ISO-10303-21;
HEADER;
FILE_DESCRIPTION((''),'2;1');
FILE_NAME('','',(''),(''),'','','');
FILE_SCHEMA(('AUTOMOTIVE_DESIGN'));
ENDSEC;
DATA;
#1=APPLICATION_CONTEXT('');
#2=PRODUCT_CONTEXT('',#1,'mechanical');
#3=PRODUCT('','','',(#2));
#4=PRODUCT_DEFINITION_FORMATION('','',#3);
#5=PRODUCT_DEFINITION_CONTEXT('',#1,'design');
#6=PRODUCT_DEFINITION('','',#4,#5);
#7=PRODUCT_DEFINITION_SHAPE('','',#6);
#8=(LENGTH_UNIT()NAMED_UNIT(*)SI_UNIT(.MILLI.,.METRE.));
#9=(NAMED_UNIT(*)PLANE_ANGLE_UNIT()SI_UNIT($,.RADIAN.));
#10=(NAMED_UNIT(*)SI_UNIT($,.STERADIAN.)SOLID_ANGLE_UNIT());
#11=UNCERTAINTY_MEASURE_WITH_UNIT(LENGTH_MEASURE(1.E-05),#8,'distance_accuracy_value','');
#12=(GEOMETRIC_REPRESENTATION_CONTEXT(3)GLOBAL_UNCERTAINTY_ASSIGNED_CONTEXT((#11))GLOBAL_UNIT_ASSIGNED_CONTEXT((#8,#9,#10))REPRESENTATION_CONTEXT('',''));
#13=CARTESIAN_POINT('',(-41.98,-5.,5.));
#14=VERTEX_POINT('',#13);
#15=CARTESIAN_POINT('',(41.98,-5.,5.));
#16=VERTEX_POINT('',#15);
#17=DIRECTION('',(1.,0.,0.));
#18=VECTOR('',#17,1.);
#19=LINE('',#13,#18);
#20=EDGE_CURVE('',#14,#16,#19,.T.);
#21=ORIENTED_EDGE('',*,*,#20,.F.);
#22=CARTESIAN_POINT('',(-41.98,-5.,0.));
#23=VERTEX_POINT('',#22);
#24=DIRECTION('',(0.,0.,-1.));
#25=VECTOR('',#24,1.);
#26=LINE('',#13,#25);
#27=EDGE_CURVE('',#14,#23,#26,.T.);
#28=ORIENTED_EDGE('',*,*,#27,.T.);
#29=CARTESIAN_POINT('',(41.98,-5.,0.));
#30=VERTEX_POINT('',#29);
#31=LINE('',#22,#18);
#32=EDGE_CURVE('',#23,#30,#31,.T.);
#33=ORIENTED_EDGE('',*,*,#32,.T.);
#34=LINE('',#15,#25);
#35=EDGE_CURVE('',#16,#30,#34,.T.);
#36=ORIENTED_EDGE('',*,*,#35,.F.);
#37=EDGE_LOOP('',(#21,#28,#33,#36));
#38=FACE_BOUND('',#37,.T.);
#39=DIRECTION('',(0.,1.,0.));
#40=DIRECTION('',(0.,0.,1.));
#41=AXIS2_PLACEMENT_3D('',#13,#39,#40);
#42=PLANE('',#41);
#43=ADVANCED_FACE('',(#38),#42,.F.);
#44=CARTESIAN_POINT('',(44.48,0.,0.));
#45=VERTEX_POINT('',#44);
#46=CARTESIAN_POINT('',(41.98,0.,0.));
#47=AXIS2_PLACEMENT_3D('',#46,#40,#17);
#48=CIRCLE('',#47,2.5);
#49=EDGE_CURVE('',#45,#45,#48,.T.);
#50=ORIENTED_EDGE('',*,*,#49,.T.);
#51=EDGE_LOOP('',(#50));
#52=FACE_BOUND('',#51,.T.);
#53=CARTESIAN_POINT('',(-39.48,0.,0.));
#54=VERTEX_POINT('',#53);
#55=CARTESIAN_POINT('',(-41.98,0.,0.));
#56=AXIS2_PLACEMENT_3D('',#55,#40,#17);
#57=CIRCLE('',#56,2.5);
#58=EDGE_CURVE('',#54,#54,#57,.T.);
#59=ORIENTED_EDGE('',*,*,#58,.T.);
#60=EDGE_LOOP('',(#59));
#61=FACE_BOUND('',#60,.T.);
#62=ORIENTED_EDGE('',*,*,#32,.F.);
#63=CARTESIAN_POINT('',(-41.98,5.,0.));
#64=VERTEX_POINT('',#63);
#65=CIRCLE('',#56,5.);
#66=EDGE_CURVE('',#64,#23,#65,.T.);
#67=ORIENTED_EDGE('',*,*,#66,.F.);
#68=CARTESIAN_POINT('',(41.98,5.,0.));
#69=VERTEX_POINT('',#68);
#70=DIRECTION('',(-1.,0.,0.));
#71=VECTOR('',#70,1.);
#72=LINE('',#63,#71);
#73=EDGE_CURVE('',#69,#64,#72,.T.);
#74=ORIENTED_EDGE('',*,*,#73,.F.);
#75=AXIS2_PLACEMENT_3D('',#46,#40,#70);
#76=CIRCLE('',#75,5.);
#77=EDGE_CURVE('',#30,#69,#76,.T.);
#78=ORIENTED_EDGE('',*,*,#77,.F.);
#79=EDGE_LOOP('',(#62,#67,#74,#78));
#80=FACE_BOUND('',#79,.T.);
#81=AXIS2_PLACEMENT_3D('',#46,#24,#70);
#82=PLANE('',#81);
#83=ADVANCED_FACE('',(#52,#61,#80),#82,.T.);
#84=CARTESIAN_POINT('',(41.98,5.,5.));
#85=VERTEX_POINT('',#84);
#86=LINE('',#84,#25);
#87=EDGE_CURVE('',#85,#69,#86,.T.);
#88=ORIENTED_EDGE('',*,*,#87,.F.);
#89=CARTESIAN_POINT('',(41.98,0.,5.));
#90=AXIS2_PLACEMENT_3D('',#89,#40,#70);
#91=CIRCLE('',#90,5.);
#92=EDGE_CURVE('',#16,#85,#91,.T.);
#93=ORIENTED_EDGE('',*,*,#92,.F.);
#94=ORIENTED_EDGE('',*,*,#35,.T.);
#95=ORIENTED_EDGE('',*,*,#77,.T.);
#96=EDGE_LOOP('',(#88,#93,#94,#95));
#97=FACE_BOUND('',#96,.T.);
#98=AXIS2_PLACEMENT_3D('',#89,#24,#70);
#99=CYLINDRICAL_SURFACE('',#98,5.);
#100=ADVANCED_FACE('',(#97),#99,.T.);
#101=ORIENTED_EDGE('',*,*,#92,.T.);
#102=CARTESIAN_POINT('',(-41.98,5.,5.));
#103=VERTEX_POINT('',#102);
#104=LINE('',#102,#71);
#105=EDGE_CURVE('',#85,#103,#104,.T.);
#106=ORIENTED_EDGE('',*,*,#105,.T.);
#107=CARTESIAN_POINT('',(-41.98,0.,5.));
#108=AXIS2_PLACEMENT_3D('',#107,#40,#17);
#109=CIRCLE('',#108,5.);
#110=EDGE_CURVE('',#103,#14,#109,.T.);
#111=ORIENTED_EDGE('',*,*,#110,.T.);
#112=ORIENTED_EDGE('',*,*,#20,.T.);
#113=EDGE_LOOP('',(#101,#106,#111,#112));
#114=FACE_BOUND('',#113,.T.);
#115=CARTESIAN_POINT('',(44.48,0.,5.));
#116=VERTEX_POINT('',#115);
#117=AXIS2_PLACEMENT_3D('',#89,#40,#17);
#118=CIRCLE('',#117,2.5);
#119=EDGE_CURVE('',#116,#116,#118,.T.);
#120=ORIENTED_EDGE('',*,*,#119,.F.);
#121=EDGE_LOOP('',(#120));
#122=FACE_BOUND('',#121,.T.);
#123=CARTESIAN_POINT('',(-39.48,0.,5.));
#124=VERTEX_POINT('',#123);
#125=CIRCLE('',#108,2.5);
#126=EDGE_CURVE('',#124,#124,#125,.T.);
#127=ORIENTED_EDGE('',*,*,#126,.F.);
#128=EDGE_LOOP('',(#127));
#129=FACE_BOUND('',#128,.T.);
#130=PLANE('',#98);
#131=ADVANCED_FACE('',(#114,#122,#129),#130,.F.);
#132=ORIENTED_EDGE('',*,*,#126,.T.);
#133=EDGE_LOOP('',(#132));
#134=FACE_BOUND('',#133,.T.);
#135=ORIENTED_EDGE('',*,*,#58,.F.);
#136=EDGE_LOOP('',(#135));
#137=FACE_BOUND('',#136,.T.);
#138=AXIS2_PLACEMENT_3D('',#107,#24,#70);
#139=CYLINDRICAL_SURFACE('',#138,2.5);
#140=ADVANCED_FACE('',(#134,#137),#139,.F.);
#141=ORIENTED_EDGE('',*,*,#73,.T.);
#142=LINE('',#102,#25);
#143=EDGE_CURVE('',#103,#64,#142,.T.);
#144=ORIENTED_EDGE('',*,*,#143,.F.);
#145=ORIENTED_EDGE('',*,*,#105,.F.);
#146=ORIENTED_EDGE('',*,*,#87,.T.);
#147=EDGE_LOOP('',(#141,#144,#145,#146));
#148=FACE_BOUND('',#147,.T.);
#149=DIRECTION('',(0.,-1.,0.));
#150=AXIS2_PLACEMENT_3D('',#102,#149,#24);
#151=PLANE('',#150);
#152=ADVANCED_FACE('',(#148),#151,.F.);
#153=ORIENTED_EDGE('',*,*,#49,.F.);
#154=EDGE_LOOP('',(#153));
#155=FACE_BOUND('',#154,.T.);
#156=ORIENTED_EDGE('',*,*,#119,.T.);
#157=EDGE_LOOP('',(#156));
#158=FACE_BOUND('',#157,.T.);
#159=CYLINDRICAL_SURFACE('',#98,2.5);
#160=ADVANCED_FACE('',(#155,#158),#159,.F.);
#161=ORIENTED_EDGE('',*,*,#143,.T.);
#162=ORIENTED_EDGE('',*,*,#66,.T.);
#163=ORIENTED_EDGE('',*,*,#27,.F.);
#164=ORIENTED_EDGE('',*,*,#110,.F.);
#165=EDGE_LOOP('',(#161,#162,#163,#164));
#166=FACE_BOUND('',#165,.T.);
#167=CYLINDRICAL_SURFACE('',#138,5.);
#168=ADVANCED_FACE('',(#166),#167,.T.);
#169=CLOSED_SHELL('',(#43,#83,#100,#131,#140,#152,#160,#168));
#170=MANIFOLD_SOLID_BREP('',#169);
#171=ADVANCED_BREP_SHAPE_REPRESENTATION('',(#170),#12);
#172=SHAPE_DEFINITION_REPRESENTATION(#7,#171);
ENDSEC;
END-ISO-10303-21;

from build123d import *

# Parameters (mm, degrees)
ESBO_O1_R                = 2.5
RESSALTO_EXTRUS_O1_DEPTH = 5


with BuildPart() as part:
    # Esboço1 → Ressalto-extrusão1 (new body)
    with BuildSketch(Plane.XY):
        with BuildLine():
            Line((-41.98, 5), (41.98, 5))
            ThreePointArc((41.98, 5), (46.98, 0), (41.98, -5))
            Line((41.98, -5), (-41.98, -5))
            ThreePointArc((-41.98, -5), (-46.98, 0), (-41.98, 5))
        make_face()
        with Locations((-41.98, 0)):
            Circle(ESBO_O1_R, mode=Mode.SUBTRACT)
        with Locations((41.98, 0)):
            Circle(ESBO_O1_R, mode=Mode.SUBTRACT)
    extrude(amount=RESSALTO_EXTRUS_O1_DEPTH)


solid = part.part
